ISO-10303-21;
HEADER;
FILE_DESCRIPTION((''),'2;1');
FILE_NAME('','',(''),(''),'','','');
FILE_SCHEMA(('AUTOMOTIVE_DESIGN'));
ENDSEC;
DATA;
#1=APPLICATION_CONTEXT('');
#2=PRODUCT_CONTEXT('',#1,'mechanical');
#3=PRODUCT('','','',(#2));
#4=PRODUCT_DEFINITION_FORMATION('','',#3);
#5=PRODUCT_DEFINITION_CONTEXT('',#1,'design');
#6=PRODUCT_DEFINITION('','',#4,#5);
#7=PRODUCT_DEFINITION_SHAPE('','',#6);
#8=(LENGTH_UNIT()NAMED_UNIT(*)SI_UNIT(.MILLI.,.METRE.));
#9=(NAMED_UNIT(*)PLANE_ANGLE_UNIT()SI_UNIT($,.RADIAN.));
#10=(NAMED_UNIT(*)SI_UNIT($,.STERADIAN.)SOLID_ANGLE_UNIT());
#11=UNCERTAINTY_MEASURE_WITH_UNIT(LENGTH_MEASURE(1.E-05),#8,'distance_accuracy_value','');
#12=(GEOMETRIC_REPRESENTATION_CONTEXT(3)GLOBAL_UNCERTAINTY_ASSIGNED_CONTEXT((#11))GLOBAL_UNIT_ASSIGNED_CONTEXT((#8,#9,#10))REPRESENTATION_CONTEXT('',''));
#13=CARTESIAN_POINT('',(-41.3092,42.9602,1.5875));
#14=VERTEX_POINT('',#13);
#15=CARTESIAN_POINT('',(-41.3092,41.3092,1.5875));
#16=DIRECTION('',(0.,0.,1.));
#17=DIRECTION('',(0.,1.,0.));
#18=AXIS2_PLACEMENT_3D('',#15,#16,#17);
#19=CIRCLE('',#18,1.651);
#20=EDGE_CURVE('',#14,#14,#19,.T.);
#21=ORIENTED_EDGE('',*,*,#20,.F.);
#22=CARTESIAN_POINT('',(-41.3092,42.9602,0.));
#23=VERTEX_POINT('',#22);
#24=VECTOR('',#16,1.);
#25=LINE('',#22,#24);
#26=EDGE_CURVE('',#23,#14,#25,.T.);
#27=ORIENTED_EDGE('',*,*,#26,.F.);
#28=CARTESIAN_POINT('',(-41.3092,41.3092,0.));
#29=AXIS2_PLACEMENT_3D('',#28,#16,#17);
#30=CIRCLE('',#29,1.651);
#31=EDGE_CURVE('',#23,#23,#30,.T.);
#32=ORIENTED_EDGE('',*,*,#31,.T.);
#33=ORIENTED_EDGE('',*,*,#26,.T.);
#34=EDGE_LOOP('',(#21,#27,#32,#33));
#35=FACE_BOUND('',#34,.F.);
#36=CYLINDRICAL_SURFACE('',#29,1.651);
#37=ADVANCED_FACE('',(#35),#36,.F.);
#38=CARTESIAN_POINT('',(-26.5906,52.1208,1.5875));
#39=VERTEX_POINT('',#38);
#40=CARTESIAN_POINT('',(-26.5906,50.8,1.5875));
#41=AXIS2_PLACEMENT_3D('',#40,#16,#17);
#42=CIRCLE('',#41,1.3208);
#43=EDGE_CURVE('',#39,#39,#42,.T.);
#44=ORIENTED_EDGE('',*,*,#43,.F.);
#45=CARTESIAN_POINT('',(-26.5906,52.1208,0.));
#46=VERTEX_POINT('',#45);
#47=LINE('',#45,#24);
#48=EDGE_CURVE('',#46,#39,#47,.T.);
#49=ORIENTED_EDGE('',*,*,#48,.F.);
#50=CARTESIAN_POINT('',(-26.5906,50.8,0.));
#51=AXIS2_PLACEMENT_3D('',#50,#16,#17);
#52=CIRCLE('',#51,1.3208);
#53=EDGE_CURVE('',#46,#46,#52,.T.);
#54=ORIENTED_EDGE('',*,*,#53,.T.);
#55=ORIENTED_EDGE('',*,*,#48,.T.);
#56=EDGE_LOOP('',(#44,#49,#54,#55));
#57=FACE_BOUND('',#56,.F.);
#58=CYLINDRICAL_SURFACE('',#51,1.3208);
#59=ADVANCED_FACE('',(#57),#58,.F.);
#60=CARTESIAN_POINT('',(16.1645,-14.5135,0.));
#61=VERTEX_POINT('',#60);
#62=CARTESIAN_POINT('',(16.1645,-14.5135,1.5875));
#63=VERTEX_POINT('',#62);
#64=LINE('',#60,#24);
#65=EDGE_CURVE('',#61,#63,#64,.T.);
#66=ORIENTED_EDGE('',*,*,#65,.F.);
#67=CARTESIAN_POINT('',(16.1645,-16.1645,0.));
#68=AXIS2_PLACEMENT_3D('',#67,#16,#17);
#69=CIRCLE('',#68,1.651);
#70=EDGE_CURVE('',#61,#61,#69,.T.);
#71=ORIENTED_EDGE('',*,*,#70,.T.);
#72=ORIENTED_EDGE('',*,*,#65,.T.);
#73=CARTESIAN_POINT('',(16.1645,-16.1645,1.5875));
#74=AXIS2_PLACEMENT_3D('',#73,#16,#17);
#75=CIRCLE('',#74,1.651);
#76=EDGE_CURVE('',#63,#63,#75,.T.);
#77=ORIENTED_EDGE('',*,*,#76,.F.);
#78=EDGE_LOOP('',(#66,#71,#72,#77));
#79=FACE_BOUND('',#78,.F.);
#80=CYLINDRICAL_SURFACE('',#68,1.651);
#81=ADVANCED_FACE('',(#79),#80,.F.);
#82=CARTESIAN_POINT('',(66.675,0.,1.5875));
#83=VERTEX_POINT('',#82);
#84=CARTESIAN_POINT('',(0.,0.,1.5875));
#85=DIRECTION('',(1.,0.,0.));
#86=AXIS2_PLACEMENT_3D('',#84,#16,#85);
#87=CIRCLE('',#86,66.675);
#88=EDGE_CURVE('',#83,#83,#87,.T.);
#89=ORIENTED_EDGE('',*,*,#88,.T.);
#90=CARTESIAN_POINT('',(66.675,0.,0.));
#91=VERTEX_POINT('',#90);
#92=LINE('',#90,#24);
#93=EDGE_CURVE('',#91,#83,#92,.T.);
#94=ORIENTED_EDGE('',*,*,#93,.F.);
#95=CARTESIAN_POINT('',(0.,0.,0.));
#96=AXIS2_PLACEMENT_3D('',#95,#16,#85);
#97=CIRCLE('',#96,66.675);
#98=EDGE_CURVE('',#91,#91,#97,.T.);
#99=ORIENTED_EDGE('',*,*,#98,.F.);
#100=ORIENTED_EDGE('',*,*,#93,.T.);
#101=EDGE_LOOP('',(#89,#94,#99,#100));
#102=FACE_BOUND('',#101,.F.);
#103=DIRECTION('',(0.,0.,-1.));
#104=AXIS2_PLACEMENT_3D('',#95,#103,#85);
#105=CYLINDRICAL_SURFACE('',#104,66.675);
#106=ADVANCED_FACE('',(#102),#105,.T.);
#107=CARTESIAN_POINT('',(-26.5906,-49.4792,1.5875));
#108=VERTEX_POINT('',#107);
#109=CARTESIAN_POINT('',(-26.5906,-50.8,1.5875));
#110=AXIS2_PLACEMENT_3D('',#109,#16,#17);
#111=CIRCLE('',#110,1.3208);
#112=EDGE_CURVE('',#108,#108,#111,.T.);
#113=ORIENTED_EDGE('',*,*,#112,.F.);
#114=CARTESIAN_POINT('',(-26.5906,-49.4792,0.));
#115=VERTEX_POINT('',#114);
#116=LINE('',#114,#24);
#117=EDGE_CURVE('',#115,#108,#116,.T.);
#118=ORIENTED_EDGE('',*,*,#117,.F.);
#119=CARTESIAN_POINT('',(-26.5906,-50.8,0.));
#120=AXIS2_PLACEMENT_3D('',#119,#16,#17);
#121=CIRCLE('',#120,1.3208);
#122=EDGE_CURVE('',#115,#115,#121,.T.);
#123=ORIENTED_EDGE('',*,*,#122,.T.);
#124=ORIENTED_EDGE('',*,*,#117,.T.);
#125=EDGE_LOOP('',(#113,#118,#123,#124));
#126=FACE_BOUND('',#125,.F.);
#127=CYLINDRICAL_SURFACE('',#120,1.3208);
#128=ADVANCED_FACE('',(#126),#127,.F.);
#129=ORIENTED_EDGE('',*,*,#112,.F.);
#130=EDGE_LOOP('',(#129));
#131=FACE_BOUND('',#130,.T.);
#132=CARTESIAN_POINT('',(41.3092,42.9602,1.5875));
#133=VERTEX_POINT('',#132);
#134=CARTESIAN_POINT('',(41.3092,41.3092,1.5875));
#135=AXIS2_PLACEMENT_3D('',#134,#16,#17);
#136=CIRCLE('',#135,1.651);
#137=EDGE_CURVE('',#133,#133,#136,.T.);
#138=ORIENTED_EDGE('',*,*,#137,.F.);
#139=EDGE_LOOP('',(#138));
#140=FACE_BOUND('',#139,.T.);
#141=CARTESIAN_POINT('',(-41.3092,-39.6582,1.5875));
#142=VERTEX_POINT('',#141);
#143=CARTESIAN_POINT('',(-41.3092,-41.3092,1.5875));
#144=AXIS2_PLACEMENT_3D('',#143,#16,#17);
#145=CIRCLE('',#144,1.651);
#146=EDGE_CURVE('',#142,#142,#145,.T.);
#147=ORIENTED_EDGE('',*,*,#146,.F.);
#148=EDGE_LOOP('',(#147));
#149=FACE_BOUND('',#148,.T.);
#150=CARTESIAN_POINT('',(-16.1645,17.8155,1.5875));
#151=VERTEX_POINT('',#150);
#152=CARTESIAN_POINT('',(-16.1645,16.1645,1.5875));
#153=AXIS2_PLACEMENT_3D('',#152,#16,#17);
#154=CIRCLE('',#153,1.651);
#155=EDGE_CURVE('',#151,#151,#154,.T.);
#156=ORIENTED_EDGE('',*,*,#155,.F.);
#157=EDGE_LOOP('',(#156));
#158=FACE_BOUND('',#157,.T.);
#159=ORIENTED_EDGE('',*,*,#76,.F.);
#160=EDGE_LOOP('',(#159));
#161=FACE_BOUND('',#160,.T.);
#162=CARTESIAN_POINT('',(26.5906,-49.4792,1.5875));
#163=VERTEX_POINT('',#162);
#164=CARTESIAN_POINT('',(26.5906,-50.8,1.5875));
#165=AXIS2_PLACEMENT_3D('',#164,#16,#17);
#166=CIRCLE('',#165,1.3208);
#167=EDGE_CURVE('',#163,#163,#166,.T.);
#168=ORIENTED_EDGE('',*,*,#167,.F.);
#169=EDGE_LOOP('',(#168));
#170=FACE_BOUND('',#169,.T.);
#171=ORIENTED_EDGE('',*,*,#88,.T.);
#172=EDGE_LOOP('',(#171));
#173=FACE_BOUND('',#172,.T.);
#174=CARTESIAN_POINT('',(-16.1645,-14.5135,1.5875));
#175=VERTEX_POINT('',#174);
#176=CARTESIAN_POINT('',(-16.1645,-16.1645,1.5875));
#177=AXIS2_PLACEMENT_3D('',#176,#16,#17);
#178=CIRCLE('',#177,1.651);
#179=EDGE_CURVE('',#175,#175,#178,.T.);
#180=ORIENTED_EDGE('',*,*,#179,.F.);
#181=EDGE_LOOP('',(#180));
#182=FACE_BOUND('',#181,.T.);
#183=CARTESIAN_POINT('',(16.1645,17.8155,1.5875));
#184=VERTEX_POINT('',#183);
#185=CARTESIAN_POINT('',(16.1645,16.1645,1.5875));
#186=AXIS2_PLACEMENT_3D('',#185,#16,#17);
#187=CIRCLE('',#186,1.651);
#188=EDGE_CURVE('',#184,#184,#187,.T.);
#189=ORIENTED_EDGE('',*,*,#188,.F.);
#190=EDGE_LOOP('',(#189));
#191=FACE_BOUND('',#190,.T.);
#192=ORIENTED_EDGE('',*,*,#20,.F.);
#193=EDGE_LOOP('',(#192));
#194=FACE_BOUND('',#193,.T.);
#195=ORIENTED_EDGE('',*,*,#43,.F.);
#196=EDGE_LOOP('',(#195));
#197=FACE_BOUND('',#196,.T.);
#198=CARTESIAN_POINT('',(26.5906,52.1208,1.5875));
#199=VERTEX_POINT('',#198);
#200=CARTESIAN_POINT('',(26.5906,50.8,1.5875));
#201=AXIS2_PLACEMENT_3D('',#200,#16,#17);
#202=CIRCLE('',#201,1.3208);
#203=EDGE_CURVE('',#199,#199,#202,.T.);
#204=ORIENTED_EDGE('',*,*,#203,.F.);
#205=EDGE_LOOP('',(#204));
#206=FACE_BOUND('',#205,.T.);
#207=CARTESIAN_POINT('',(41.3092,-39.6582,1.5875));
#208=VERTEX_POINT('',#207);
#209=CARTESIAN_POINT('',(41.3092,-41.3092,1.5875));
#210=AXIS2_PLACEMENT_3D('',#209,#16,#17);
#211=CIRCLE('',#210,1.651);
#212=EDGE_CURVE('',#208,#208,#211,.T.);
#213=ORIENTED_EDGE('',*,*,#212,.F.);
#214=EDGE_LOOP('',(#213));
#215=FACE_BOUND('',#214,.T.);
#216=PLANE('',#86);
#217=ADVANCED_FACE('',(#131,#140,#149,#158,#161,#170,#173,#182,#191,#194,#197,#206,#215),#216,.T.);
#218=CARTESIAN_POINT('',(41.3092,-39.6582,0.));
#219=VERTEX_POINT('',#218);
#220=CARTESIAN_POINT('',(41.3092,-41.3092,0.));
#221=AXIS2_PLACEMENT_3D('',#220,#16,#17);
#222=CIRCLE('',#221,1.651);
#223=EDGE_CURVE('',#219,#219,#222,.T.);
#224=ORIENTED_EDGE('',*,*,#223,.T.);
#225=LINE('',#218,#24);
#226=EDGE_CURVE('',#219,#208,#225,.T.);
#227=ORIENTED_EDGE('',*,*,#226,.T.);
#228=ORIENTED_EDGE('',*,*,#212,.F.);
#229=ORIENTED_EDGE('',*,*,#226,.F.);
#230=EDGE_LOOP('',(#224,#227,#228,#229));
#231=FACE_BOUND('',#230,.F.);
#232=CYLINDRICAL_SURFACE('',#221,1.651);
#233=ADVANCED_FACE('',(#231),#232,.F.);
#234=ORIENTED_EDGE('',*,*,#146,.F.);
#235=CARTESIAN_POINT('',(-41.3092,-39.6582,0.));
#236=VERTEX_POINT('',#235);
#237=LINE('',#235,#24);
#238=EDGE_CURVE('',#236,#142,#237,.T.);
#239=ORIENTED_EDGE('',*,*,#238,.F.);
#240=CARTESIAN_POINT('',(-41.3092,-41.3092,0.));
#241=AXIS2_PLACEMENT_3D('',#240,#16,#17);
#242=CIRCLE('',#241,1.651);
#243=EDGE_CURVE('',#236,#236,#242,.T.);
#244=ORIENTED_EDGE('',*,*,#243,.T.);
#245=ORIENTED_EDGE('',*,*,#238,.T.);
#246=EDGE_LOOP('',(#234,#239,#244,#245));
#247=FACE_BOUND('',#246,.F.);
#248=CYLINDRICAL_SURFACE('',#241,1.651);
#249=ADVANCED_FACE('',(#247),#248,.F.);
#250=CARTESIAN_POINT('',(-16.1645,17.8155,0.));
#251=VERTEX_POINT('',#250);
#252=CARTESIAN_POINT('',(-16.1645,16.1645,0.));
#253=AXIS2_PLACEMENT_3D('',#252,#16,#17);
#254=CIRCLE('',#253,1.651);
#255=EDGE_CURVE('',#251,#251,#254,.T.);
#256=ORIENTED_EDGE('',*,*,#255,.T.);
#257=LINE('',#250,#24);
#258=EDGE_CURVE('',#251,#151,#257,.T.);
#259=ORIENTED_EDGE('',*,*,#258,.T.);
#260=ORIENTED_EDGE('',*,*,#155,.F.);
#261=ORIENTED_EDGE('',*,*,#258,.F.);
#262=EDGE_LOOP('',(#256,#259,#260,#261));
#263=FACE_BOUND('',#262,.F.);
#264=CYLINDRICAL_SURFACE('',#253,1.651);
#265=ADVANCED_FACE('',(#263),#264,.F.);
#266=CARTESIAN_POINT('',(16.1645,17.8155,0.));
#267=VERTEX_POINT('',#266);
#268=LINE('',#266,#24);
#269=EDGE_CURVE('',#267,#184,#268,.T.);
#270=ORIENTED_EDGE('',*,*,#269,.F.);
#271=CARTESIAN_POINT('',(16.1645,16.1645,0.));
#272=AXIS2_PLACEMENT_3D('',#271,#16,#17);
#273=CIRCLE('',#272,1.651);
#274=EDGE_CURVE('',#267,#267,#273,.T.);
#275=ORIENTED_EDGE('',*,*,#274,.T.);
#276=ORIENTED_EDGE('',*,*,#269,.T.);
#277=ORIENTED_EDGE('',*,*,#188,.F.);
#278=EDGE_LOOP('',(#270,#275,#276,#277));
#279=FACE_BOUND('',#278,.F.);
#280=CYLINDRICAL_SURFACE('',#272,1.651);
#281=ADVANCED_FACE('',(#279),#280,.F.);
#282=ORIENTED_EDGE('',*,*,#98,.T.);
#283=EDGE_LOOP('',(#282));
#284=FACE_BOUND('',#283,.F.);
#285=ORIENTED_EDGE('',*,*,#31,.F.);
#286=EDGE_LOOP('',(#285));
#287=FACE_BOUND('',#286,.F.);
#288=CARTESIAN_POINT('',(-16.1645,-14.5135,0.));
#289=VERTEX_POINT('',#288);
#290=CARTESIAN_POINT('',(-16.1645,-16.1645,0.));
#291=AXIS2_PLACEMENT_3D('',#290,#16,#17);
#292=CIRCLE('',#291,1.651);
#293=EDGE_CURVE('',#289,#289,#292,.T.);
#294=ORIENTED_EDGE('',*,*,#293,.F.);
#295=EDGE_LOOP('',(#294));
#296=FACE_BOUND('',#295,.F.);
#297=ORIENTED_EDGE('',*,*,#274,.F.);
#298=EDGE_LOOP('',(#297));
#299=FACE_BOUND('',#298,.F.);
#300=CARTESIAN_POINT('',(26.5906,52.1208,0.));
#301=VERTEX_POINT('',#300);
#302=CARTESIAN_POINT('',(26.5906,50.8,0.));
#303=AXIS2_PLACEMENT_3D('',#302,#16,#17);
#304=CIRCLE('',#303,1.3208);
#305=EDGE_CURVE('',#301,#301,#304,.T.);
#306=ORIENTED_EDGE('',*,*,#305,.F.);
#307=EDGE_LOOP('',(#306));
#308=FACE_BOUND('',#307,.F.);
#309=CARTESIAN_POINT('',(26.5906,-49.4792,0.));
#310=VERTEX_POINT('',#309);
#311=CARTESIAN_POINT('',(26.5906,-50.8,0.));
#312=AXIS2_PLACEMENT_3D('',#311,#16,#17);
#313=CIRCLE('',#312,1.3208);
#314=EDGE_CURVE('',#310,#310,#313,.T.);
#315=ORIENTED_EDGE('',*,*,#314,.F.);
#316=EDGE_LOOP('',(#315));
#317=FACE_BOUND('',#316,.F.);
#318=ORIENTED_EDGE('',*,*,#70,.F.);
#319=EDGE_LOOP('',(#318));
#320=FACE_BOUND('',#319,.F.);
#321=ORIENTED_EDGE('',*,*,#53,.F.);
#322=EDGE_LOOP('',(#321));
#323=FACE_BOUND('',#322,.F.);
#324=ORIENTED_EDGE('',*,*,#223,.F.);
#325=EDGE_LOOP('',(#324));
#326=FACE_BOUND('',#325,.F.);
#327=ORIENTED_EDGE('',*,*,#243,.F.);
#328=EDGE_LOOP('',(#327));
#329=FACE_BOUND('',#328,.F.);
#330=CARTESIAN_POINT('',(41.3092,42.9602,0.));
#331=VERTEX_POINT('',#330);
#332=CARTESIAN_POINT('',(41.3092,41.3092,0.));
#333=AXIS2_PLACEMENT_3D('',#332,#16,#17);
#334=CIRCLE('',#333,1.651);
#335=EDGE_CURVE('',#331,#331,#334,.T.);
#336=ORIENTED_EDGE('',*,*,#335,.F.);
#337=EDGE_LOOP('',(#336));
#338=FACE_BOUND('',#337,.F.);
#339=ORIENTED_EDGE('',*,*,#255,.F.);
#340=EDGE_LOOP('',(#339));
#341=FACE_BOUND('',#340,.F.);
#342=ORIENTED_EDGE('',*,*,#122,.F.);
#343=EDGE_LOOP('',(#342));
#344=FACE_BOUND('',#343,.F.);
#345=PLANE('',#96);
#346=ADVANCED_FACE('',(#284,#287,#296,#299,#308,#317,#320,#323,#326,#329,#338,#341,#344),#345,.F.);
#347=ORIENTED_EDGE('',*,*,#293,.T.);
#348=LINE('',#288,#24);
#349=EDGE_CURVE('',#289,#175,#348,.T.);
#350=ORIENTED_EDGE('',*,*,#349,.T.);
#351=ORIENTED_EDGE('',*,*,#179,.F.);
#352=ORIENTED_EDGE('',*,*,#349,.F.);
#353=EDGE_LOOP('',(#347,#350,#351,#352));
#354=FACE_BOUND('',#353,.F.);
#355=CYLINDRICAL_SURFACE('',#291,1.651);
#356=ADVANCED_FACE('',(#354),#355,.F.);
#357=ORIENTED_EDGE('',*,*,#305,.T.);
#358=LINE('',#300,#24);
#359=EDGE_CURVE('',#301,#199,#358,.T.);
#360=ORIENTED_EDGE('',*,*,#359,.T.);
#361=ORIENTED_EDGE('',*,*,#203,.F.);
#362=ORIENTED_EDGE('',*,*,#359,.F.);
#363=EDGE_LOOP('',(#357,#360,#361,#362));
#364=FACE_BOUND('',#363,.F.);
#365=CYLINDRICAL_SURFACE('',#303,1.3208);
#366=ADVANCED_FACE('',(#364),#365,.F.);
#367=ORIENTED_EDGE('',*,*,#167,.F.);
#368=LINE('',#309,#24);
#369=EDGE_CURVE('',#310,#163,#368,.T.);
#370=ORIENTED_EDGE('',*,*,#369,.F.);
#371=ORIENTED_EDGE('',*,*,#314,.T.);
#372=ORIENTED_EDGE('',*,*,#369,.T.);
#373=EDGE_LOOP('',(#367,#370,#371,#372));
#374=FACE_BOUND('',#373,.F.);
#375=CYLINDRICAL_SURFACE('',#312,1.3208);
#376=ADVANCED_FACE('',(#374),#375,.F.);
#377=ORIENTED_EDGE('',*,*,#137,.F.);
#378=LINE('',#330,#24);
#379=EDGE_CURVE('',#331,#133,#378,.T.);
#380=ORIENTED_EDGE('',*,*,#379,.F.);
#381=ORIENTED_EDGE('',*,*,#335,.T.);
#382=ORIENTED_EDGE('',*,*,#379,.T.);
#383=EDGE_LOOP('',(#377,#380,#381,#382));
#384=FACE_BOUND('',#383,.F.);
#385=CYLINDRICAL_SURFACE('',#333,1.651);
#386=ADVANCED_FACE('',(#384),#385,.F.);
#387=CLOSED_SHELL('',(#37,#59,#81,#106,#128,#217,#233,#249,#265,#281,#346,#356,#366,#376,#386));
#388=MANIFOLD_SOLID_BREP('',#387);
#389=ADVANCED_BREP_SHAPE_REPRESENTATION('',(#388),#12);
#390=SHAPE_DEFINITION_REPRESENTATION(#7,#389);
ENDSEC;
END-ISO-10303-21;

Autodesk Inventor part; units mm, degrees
ref_plane "YZ Plane" through (0, 0, 0) normal (1, 0, 0) x (0, 1, 0)
ref_plane "XZ Plane" through (0, 0, 0) normal (0, 1, 0) x (-1, 0, 0)
ref_plane "XY Plane" through (0, 0, 0) normal (0, 0, 1) x (1, 0, 0)
sketch "Sketch1" plane through (0, 0, 0) normal (0, 0, 1) x (1, 0, 0)
  line L0 (0, 10.0078) -> (0, -10.7712)
  line L1 (-20.5368, 0) -> (25.7294, 0)
  line L2 (0, 0) -> (-9.8402, -9.8402)
  line L3 (0, 0) -> (13.9161, 0) construction
  line L4 (0, 0) -> (-23.2805, 23.2805)
  circle A0 centre (0, 0) radius 66.675
  point P0 (-16.1645, 16.1645)
  point P1 (-41.3092, 41.3092)
  point P2 (-41.3092, -41.3092)
  point P3 (-16.1645, -16.1645)
  point P4 (16.1645, 16.1645)
  point P5 (41.3092, 41.3092)
  point P6 (41.3092, -41.3092)
  point P7 (16.1645, -16.1645)
  point P8 (26.5906, 50.8)
  point P9 (-26.5906, 50.8)
  point P10 (23.2805, 23.2805)
  point P11 (16.1645, 16.1645)
  point P12 (26.5906, -50.8)
  point P13 (-26.5906, -50.8)
  dimension "d1" = 45
  dimension "d56" = 22.86
  dimension "d58" = 35.56
  dimension "d67" = 53.1812
  dimension "d68" = 101.6
  dimension "d85" = 133.35
extrude "Extrusion1" add sketch "Sketch1" along normal blind 1.5875
hole "Hole1" at (-16.1645, 16.1645, 0) at (-41.3092, 41.3092, 0) at (-41.3092, -41.3092, 0) at (-16.1645, -16.1645, 0) at (41.3092, 41.3092, 0) at (16.1645, 16.1645, 0) at (16.1645, -16.1645, 0) at (41.3092, -41.3092, 0) direction (0, 0, 1) diameter 3.302 end through all thread size "8-32 UNC" class "2B" standard "ANSI Unified Screw Threads"
sketch "Sketch2" plane through (0, 0, 0) normal (0, 0, -1) x (-1, 0, 0)
  line L0 (0, -11.8713) -> (0, 16.3095)
  line L1 (-16.3095, 0) -> (16.3095, 0)
  point P0 (23.2805, -60.3987)
  point P1 (0, 0)
  point P2 (26.5906, 50.8)
  point P3 (-26.5906, 50.8)
  point P4 (26.5906, -50.8)
  point P5 (-26.5906, -50.8)
  dimension "d69" = 53.1812
  dimension "d70" = 101.6
hole "Hole3" at (-26.5906, -50.8, 0) at (26.5906, -50.8, 0) at (26.5906, 50.8, 0) at (-26.5906, 50.8, 0) direction (0, 0, 1) diameter 2.6416 end through all thread size "6-32 UNC" class "2B" standard "ANSI Unified Screw Threads"
properties part number "BaseBottom"
